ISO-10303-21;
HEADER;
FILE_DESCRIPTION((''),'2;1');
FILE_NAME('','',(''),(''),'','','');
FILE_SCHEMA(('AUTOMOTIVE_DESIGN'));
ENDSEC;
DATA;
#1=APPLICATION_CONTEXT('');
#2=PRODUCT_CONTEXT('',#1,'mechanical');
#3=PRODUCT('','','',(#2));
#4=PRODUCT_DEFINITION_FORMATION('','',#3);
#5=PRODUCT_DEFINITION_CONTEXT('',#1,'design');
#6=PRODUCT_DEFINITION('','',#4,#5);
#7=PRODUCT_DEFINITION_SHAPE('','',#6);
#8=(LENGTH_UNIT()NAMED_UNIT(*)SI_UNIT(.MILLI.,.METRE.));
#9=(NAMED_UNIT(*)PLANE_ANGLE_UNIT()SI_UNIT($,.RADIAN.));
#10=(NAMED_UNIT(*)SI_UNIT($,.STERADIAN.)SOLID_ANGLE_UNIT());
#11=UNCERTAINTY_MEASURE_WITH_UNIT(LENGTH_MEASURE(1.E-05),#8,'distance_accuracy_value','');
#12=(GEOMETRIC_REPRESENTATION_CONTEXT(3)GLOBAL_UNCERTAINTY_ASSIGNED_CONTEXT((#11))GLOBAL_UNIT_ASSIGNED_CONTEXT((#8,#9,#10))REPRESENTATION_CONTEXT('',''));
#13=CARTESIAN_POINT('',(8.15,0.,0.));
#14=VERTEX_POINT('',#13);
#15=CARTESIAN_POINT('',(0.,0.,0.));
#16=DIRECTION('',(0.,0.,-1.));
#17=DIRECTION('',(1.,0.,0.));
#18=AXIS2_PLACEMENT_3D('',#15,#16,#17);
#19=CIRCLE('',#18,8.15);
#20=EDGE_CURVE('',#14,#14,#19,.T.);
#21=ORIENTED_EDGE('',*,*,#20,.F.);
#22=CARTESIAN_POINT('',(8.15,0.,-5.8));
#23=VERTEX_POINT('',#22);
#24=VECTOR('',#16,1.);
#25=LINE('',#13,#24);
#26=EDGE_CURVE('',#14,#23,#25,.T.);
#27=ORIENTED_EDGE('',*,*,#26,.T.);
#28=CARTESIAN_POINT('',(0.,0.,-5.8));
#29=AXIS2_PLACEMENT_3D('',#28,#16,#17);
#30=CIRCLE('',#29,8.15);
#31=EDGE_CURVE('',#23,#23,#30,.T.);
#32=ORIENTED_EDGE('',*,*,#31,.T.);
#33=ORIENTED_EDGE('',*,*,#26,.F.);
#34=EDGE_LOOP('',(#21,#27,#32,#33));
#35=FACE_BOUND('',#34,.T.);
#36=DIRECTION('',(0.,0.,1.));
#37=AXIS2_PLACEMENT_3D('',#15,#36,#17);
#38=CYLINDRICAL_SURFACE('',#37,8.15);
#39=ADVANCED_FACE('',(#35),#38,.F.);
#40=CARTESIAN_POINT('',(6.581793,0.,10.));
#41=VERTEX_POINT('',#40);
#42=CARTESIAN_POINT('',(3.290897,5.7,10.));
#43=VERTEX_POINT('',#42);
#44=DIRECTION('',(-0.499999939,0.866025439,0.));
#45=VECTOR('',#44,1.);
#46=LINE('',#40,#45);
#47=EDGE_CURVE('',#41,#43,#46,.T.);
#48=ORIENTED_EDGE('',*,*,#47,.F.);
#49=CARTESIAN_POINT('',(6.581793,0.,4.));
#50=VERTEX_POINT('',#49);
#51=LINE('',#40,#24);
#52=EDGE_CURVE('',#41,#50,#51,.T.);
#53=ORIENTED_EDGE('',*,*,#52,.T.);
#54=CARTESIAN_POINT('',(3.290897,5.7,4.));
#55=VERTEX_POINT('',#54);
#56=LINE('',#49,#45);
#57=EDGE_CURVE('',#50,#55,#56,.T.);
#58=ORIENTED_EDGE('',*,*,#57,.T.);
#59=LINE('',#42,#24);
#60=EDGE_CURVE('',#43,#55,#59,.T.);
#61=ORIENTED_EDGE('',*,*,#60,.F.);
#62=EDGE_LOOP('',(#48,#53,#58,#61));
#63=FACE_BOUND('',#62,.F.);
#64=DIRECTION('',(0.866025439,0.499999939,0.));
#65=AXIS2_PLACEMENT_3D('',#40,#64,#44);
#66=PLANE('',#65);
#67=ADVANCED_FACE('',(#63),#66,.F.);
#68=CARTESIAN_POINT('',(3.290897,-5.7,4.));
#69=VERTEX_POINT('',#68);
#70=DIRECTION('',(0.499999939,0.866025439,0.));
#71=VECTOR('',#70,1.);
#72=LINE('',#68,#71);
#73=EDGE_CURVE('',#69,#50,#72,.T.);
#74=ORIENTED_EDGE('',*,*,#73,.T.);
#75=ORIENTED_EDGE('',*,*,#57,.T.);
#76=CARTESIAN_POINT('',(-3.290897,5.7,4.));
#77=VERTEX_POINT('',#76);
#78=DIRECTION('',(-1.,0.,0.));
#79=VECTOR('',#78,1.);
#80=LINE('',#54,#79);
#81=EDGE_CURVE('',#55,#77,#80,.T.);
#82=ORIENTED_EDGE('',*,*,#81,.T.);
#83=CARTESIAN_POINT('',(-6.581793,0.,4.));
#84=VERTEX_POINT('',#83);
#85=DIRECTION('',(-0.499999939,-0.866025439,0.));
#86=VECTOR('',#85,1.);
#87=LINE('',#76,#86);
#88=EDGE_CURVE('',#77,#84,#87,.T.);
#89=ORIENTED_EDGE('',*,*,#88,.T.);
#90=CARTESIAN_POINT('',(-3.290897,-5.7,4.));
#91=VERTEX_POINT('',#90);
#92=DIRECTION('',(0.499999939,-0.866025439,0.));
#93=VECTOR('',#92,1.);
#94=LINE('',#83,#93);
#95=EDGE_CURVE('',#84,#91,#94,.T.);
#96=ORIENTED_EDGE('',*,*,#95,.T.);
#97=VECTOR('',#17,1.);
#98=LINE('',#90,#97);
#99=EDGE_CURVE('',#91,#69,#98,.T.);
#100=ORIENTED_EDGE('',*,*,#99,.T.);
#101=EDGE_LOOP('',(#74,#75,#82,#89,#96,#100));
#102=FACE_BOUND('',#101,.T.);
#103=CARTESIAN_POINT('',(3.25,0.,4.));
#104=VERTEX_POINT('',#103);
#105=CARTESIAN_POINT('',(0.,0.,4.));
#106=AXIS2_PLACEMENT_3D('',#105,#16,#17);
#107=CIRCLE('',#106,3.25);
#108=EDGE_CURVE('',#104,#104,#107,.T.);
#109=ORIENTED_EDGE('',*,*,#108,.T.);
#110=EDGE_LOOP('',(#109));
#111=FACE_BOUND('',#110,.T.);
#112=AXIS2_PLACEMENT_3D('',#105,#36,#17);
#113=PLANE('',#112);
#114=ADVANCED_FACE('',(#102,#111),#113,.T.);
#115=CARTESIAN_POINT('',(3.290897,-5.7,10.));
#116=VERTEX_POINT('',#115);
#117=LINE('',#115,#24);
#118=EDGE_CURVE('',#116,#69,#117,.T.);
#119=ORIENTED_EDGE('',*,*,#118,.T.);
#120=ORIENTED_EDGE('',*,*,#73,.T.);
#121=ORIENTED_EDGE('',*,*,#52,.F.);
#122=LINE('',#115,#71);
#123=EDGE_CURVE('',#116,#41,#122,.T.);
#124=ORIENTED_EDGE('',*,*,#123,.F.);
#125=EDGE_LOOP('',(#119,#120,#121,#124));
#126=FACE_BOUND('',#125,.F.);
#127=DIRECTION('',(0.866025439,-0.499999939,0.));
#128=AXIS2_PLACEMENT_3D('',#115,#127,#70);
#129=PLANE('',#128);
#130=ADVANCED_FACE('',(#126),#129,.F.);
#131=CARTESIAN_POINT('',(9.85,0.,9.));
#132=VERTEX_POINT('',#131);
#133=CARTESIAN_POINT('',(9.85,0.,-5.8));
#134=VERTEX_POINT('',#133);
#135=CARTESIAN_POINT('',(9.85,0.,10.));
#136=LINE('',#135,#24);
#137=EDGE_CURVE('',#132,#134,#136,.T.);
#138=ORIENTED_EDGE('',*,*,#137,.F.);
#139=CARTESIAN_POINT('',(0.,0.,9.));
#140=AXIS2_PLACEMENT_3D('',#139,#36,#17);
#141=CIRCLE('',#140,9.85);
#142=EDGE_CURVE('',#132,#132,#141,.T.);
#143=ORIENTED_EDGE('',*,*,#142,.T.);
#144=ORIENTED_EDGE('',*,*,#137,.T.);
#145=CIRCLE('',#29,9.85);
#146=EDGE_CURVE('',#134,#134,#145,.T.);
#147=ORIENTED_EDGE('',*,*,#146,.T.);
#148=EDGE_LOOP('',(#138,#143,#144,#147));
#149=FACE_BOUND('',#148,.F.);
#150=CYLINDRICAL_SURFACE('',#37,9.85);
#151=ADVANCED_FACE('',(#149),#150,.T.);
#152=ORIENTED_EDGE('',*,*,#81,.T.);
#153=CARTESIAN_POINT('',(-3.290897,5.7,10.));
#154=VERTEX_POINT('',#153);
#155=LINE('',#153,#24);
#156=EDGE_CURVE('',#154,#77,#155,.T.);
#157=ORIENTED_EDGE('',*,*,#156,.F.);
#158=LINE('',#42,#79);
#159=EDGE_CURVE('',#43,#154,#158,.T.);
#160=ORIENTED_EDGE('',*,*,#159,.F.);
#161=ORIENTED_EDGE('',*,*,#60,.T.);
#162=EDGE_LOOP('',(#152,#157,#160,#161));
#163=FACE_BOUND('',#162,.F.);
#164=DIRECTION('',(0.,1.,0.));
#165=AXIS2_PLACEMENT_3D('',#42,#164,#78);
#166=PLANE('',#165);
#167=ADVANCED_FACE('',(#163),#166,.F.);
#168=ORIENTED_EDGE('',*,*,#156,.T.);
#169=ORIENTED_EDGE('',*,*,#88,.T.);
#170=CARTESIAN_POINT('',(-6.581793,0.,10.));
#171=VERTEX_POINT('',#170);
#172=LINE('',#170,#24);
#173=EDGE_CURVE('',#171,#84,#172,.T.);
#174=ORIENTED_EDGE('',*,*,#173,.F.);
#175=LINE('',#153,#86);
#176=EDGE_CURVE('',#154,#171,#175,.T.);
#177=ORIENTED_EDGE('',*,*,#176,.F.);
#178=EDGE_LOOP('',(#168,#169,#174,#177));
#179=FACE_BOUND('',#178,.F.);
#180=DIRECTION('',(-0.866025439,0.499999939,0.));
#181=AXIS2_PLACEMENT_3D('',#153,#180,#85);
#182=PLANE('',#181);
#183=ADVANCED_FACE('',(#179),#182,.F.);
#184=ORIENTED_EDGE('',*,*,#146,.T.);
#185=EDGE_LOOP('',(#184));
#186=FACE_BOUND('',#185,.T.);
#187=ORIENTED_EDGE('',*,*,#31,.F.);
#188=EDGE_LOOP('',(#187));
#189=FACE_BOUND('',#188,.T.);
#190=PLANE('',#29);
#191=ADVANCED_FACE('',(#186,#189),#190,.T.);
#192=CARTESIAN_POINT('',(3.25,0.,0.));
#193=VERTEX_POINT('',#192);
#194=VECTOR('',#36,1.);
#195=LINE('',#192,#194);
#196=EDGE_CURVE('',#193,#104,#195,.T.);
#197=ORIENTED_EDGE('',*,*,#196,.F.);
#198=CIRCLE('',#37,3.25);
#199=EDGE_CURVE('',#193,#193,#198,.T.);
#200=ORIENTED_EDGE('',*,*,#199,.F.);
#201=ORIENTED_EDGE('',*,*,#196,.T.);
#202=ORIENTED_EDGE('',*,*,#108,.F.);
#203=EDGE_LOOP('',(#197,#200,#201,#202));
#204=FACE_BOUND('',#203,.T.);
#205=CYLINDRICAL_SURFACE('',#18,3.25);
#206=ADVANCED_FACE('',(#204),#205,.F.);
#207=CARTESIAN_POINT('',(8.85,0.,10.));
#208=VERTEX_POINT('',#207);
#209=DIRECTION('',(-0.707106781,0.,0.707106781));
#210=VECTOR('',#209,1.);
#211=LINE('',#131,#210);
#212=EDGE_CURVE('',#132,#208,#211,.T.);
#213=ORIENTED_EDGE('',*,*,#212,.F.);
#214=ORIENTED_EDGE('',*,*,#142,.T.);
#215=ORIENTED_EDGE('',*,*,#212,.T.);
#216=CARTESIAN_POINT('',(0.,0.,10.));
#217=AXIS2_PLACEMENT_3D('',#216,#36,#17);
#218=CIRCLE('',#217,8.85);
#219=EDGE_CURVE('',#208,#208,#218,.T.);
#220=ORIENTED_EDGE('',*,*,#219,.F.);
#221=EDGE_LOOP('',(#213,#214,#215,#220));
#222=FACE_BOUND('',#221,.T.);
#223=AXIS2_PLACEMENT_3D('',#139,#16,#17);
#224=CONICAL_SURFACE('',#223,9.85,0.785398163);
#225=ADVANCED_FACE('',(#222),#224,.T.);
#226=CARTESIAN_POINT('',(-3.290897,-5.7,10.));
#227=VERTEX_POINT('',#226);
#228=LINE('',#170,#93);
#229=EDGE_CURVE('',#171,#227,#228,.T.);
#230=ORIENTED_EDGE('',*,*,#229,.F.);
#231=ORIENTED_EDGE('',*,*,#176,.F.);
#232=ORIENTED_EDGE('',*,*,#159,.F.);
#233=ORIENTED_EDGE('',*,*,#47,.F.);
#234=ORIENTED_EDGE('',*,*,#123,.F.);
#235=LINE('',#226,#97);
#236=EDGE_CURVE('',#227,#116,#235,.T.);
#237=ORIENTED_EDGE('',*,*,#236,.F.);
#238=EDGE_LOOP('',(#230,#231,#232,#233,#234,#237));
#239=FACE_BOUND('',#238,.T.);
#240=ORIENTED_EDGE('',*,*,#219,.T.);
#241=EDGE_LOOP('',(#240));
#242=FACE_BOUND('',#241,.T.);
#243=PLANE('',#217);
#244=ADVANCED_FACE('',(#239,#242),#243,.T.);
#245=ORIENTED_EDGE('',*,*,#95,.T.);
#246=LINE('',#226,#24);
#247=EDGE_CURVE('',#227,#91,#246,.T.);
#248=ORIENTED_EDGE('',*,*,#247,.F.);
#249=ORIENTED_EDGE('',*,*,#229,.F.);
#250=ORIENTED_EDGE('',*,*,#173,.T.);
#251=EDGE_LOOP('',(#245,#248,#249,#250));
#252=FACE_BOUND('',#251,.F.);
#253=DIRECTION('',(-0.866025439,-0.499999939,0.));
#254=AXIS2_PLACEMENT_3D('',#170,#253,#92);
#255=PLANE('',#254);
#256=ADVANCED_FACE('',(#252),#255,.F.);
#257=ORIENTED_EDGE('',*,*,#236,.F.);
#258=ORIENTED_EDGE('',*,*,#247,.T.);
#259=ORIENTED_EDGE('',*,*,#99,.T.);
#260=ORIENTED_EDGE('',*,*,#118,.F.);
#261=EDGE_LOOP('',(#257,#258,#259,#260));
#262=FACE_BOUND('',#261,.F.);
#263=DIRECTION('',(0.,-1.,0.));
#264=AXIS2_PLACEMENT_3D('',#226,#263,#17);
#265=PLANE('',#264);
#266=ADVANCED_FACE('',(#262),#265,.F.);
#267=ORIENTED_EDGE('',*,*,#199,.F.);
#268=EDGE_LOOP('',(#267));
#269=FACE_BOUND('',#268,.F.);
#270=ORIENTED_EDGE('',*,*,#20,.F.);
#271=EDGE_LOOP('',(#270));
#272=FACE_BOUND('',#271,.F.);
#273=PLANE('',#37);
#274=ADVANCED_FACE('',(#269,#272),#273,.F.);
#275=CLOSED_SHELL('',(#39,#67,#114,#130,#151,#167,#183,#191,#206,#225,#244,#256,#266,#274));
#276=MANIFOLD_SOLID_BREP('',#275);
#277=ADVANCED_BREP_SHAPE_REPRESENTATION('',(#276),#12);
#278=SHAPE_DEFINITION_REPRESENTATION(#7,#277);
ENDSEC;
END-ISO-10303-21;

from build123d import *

# Parameters (mm, degrees)
SKETCH_R      = 9.85
SKETCH_R_2    = 3.25
PAD_DEPTH     = 10
SKETCH001_R   = 9.85
SKETCH001_R_2 = 8.15
PAD001_DEPTH  = 5.8
POCKET_DEPTH  = 6
CHAMFER_SIZE  = 1


with BuildPart() as part:
    # Sketch → Pad (new body)
    with BuildSketch(Plane.XY):
        Circle(SKETCH_R)
        Circle(SKETCH_R_2, mode=Mode.SUBTRACT)
    extrude(amount=PAD_DEPTH)

    # Sketch001 (on Face3 of Pad) → Pad001 (join)
    with BuildSketch(Plane(origin=(0, 0, 0), x_dir=(1, 0, 0), z_dir=(0, 0, -1))):
        Circle(SKETCH001_R)
        Circle(SKETCH001_R_2, mode=Mode.SUBTRACT)
    extrude(amount=PAD001_DEPTH)

    # Sketch002 (on Face3 of Pad001) → Pocket (cut)
    with BuildSketch(Plane.XY.offset(10)):
        Polygon((6.581793, 0), (3.290897, 5.7), (-3.290897, 5.7), (-6.581793, 0), (-3.290897, -5.7), (3.290897, -5.7), align=None)
    extrude(amount=-POCKET_DEPTH, mode=Mode.SUBTRACT)

    # Chamfer
    chamfer_edges = [part.edges().sort_by_distance(p)[0] for p in [
        (-9.85, 0, 10),
    ]]
    chamfer(chamfer_edges, length=CHAMFER_SIZE)


solid = part.part
